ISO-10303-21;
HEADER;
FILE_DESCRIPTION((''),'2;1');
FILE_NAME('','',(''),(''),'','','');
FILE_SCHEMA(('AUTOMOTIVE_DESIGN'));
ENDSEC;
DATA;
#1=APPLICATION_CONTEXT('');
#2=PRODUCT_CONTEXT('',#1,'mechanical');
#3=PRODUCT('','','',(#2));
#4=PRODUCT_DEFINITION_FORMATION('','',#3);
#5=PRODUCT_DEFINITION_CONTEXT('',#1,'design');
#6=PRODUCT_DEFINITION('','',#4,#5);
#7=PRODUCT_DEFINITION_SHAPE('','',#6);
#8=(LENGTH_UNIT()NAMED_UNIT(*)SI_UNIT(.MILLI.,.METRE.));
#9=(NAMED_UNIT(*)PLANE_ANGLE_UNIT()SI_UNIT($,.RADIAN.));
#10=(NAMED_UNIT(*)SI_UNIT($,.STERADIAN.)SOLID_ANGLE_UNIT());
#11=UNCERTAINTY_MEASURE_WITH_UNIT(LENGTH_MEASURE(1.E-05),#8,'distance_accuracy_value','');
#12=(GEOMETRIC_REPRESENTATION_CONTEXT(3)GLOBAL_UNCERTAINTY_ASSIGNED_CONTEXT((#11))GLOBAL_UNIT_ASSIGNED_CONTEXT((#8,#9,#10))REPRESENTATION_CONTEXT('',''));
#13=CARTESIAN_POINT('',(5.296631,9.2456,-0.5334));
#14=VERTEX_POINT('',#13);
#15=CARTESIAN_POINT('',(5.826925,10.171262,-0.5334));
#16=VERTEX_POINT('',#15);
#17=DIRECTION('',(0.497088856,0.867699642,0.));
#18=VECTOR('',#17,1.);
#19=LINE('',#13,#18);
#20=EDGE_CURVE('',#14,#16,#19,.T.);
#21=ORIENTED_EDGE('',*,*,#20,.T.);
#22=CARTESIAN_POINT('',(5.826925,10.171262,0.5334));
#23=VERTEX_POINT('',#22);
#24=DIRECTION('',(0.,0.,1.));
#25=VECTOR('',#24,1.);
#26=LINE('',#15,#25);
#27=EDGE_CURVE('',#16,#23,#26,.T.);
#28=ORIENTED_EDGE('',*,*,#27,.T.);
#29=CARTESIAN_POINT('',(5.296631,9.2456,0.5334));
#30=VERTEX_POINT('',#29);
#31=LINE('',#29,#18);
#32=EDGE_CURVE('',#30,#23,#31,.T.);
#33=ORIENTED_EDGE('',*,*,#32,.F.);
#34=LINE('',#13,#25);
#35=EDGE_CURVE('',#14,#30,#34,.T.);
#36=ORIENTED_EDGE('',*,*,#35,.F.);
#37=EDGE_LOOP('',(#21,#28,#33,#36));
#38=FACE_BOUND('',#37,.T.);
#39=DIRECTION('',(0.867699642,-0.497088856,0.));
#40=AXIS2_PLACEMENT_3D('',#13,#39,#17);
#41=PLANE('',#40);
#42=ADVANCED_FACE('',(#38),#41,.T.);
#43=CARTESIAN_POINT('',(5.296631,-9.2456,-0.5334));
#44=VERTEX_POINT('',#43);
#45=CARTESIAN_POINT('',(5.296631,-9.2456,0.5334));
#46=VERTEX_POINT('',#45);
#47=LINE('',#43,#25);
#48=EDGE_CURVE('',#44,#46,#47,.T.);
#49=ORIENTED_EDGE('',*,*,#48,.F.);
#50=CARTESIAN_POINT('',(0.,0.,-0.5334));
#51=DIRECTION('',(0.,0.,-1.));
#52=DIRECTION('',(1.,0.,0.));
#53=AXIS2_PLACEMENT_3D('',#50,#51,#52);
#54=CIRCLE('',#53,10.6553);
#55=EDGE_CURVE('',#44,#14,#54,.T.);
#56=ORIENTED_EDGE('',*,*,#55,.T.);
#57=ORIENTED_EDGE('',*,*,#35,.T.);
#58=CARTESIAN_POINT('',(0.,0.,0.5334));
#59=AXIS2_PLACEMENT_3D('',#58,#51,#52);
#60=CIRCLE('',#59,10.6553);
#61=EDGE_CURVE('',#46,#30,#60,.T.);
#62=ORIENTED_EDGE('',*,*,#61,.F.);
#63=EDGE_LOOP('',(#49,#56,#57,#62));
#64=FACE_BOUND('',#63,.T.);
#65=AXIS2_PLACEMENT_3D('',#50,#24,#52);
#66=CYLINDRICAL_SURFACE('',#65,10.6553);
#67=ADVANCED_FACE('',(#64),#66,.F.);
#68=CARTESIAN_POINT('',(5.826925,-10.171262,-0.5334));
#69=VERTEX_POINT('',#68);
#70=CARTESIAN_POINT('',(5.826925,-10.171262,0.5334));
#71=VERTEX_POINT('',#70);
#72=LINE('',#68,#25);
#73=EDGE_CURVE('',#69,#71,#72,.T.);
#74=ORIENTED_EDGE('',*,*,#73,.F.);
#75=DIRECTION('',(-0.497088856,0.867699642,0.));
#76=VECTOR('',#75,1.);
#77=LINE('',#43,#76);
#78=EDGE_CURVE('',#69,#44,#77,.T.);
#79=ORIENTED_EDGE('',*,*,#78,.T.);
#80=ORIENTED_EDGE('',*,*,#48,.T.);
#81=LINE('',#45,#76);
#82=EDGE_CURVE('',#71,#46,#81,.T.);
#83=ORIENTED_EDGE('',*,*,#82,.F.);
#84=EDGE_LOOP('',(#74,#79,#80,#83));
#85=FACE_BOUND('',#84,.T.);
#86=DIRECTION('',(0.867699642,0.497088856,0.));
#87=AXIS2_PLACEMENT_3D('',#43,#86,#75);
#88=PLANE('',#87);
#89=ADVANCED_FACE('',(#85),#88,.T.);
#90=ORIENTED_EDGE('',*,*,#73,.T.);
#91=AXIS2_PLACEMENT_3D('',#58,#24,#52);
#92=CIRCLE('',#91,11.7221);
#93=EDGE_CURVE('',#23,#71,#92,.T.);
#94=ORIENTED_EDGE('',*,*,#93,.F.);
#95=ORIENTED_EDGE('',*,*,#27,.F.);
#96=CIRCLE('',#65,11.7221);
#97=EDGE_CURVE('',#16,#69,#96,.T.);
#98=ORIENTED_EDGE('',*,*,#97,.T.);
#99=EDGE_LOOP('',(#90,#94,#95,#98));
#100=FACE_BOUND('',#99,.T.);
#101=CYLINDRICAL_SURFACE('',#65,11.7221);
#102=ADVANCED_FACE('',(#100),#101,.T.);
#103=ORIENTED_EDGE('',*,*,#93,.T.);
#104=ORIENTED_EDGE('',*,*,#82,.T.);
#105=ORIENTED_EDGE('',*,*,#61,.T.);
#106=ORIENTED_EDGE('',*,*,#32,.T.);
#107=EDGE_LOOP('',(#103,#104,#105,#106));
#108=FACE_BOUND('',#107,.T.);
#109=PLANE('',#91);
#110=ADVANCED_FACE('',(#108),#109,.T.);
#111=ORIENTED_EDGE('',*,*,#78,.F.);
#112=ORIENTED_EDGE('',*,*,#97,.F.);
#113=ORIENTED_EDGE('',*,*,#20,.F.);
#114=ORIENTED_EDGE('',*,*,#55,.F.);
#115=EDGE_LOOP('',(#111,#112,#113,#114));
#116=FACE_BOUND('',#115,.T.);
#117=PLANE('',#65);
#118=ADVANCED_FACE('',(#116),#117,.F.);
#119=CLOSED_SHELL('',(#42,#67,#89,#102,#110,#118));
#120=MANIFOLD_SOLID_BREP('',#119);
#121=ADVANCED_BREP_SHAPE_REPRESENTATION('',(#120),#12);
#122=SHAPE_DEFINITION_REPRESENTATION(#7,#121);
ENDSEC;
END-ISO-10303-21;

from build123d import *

# Parameters (mm, degrees)
BOSS_EXTRUDE1_DEPTH      = 0.5334
BOSS_EXTRUDE1_DEPTH_BACK = 0.5334


with BuildPart() as part:
    # Sketch2 → Boss-Extrude1 (new, two sides: drawn at the far end of the back side and taken through both)
    with BuildSketch(Plane.XY.offset(-BOSS_EXTRUDE1_DEPTH_BACK)):
        with BuildLine():
            Line((5.296630885, -9.2456), (5.826925276, -10.171261979))
            ThreePointArc((5.826925276, -10.171261979), (-11.7221, 0), (5.826925276, 10.171261979))
            Line((5.826925276, 10.171261979), (5.296630885, 9.2456))
            ThreePointArc((5.296630885, 9.2456), (-10.6553, 0), (5.296630885, -9.2456))
        make_face()
    extrude(amount=BOSS_EXTRUDE1_DEPTH + BOSS_EXTRUDE1_DEPTH_BACK)


solid = part.part
